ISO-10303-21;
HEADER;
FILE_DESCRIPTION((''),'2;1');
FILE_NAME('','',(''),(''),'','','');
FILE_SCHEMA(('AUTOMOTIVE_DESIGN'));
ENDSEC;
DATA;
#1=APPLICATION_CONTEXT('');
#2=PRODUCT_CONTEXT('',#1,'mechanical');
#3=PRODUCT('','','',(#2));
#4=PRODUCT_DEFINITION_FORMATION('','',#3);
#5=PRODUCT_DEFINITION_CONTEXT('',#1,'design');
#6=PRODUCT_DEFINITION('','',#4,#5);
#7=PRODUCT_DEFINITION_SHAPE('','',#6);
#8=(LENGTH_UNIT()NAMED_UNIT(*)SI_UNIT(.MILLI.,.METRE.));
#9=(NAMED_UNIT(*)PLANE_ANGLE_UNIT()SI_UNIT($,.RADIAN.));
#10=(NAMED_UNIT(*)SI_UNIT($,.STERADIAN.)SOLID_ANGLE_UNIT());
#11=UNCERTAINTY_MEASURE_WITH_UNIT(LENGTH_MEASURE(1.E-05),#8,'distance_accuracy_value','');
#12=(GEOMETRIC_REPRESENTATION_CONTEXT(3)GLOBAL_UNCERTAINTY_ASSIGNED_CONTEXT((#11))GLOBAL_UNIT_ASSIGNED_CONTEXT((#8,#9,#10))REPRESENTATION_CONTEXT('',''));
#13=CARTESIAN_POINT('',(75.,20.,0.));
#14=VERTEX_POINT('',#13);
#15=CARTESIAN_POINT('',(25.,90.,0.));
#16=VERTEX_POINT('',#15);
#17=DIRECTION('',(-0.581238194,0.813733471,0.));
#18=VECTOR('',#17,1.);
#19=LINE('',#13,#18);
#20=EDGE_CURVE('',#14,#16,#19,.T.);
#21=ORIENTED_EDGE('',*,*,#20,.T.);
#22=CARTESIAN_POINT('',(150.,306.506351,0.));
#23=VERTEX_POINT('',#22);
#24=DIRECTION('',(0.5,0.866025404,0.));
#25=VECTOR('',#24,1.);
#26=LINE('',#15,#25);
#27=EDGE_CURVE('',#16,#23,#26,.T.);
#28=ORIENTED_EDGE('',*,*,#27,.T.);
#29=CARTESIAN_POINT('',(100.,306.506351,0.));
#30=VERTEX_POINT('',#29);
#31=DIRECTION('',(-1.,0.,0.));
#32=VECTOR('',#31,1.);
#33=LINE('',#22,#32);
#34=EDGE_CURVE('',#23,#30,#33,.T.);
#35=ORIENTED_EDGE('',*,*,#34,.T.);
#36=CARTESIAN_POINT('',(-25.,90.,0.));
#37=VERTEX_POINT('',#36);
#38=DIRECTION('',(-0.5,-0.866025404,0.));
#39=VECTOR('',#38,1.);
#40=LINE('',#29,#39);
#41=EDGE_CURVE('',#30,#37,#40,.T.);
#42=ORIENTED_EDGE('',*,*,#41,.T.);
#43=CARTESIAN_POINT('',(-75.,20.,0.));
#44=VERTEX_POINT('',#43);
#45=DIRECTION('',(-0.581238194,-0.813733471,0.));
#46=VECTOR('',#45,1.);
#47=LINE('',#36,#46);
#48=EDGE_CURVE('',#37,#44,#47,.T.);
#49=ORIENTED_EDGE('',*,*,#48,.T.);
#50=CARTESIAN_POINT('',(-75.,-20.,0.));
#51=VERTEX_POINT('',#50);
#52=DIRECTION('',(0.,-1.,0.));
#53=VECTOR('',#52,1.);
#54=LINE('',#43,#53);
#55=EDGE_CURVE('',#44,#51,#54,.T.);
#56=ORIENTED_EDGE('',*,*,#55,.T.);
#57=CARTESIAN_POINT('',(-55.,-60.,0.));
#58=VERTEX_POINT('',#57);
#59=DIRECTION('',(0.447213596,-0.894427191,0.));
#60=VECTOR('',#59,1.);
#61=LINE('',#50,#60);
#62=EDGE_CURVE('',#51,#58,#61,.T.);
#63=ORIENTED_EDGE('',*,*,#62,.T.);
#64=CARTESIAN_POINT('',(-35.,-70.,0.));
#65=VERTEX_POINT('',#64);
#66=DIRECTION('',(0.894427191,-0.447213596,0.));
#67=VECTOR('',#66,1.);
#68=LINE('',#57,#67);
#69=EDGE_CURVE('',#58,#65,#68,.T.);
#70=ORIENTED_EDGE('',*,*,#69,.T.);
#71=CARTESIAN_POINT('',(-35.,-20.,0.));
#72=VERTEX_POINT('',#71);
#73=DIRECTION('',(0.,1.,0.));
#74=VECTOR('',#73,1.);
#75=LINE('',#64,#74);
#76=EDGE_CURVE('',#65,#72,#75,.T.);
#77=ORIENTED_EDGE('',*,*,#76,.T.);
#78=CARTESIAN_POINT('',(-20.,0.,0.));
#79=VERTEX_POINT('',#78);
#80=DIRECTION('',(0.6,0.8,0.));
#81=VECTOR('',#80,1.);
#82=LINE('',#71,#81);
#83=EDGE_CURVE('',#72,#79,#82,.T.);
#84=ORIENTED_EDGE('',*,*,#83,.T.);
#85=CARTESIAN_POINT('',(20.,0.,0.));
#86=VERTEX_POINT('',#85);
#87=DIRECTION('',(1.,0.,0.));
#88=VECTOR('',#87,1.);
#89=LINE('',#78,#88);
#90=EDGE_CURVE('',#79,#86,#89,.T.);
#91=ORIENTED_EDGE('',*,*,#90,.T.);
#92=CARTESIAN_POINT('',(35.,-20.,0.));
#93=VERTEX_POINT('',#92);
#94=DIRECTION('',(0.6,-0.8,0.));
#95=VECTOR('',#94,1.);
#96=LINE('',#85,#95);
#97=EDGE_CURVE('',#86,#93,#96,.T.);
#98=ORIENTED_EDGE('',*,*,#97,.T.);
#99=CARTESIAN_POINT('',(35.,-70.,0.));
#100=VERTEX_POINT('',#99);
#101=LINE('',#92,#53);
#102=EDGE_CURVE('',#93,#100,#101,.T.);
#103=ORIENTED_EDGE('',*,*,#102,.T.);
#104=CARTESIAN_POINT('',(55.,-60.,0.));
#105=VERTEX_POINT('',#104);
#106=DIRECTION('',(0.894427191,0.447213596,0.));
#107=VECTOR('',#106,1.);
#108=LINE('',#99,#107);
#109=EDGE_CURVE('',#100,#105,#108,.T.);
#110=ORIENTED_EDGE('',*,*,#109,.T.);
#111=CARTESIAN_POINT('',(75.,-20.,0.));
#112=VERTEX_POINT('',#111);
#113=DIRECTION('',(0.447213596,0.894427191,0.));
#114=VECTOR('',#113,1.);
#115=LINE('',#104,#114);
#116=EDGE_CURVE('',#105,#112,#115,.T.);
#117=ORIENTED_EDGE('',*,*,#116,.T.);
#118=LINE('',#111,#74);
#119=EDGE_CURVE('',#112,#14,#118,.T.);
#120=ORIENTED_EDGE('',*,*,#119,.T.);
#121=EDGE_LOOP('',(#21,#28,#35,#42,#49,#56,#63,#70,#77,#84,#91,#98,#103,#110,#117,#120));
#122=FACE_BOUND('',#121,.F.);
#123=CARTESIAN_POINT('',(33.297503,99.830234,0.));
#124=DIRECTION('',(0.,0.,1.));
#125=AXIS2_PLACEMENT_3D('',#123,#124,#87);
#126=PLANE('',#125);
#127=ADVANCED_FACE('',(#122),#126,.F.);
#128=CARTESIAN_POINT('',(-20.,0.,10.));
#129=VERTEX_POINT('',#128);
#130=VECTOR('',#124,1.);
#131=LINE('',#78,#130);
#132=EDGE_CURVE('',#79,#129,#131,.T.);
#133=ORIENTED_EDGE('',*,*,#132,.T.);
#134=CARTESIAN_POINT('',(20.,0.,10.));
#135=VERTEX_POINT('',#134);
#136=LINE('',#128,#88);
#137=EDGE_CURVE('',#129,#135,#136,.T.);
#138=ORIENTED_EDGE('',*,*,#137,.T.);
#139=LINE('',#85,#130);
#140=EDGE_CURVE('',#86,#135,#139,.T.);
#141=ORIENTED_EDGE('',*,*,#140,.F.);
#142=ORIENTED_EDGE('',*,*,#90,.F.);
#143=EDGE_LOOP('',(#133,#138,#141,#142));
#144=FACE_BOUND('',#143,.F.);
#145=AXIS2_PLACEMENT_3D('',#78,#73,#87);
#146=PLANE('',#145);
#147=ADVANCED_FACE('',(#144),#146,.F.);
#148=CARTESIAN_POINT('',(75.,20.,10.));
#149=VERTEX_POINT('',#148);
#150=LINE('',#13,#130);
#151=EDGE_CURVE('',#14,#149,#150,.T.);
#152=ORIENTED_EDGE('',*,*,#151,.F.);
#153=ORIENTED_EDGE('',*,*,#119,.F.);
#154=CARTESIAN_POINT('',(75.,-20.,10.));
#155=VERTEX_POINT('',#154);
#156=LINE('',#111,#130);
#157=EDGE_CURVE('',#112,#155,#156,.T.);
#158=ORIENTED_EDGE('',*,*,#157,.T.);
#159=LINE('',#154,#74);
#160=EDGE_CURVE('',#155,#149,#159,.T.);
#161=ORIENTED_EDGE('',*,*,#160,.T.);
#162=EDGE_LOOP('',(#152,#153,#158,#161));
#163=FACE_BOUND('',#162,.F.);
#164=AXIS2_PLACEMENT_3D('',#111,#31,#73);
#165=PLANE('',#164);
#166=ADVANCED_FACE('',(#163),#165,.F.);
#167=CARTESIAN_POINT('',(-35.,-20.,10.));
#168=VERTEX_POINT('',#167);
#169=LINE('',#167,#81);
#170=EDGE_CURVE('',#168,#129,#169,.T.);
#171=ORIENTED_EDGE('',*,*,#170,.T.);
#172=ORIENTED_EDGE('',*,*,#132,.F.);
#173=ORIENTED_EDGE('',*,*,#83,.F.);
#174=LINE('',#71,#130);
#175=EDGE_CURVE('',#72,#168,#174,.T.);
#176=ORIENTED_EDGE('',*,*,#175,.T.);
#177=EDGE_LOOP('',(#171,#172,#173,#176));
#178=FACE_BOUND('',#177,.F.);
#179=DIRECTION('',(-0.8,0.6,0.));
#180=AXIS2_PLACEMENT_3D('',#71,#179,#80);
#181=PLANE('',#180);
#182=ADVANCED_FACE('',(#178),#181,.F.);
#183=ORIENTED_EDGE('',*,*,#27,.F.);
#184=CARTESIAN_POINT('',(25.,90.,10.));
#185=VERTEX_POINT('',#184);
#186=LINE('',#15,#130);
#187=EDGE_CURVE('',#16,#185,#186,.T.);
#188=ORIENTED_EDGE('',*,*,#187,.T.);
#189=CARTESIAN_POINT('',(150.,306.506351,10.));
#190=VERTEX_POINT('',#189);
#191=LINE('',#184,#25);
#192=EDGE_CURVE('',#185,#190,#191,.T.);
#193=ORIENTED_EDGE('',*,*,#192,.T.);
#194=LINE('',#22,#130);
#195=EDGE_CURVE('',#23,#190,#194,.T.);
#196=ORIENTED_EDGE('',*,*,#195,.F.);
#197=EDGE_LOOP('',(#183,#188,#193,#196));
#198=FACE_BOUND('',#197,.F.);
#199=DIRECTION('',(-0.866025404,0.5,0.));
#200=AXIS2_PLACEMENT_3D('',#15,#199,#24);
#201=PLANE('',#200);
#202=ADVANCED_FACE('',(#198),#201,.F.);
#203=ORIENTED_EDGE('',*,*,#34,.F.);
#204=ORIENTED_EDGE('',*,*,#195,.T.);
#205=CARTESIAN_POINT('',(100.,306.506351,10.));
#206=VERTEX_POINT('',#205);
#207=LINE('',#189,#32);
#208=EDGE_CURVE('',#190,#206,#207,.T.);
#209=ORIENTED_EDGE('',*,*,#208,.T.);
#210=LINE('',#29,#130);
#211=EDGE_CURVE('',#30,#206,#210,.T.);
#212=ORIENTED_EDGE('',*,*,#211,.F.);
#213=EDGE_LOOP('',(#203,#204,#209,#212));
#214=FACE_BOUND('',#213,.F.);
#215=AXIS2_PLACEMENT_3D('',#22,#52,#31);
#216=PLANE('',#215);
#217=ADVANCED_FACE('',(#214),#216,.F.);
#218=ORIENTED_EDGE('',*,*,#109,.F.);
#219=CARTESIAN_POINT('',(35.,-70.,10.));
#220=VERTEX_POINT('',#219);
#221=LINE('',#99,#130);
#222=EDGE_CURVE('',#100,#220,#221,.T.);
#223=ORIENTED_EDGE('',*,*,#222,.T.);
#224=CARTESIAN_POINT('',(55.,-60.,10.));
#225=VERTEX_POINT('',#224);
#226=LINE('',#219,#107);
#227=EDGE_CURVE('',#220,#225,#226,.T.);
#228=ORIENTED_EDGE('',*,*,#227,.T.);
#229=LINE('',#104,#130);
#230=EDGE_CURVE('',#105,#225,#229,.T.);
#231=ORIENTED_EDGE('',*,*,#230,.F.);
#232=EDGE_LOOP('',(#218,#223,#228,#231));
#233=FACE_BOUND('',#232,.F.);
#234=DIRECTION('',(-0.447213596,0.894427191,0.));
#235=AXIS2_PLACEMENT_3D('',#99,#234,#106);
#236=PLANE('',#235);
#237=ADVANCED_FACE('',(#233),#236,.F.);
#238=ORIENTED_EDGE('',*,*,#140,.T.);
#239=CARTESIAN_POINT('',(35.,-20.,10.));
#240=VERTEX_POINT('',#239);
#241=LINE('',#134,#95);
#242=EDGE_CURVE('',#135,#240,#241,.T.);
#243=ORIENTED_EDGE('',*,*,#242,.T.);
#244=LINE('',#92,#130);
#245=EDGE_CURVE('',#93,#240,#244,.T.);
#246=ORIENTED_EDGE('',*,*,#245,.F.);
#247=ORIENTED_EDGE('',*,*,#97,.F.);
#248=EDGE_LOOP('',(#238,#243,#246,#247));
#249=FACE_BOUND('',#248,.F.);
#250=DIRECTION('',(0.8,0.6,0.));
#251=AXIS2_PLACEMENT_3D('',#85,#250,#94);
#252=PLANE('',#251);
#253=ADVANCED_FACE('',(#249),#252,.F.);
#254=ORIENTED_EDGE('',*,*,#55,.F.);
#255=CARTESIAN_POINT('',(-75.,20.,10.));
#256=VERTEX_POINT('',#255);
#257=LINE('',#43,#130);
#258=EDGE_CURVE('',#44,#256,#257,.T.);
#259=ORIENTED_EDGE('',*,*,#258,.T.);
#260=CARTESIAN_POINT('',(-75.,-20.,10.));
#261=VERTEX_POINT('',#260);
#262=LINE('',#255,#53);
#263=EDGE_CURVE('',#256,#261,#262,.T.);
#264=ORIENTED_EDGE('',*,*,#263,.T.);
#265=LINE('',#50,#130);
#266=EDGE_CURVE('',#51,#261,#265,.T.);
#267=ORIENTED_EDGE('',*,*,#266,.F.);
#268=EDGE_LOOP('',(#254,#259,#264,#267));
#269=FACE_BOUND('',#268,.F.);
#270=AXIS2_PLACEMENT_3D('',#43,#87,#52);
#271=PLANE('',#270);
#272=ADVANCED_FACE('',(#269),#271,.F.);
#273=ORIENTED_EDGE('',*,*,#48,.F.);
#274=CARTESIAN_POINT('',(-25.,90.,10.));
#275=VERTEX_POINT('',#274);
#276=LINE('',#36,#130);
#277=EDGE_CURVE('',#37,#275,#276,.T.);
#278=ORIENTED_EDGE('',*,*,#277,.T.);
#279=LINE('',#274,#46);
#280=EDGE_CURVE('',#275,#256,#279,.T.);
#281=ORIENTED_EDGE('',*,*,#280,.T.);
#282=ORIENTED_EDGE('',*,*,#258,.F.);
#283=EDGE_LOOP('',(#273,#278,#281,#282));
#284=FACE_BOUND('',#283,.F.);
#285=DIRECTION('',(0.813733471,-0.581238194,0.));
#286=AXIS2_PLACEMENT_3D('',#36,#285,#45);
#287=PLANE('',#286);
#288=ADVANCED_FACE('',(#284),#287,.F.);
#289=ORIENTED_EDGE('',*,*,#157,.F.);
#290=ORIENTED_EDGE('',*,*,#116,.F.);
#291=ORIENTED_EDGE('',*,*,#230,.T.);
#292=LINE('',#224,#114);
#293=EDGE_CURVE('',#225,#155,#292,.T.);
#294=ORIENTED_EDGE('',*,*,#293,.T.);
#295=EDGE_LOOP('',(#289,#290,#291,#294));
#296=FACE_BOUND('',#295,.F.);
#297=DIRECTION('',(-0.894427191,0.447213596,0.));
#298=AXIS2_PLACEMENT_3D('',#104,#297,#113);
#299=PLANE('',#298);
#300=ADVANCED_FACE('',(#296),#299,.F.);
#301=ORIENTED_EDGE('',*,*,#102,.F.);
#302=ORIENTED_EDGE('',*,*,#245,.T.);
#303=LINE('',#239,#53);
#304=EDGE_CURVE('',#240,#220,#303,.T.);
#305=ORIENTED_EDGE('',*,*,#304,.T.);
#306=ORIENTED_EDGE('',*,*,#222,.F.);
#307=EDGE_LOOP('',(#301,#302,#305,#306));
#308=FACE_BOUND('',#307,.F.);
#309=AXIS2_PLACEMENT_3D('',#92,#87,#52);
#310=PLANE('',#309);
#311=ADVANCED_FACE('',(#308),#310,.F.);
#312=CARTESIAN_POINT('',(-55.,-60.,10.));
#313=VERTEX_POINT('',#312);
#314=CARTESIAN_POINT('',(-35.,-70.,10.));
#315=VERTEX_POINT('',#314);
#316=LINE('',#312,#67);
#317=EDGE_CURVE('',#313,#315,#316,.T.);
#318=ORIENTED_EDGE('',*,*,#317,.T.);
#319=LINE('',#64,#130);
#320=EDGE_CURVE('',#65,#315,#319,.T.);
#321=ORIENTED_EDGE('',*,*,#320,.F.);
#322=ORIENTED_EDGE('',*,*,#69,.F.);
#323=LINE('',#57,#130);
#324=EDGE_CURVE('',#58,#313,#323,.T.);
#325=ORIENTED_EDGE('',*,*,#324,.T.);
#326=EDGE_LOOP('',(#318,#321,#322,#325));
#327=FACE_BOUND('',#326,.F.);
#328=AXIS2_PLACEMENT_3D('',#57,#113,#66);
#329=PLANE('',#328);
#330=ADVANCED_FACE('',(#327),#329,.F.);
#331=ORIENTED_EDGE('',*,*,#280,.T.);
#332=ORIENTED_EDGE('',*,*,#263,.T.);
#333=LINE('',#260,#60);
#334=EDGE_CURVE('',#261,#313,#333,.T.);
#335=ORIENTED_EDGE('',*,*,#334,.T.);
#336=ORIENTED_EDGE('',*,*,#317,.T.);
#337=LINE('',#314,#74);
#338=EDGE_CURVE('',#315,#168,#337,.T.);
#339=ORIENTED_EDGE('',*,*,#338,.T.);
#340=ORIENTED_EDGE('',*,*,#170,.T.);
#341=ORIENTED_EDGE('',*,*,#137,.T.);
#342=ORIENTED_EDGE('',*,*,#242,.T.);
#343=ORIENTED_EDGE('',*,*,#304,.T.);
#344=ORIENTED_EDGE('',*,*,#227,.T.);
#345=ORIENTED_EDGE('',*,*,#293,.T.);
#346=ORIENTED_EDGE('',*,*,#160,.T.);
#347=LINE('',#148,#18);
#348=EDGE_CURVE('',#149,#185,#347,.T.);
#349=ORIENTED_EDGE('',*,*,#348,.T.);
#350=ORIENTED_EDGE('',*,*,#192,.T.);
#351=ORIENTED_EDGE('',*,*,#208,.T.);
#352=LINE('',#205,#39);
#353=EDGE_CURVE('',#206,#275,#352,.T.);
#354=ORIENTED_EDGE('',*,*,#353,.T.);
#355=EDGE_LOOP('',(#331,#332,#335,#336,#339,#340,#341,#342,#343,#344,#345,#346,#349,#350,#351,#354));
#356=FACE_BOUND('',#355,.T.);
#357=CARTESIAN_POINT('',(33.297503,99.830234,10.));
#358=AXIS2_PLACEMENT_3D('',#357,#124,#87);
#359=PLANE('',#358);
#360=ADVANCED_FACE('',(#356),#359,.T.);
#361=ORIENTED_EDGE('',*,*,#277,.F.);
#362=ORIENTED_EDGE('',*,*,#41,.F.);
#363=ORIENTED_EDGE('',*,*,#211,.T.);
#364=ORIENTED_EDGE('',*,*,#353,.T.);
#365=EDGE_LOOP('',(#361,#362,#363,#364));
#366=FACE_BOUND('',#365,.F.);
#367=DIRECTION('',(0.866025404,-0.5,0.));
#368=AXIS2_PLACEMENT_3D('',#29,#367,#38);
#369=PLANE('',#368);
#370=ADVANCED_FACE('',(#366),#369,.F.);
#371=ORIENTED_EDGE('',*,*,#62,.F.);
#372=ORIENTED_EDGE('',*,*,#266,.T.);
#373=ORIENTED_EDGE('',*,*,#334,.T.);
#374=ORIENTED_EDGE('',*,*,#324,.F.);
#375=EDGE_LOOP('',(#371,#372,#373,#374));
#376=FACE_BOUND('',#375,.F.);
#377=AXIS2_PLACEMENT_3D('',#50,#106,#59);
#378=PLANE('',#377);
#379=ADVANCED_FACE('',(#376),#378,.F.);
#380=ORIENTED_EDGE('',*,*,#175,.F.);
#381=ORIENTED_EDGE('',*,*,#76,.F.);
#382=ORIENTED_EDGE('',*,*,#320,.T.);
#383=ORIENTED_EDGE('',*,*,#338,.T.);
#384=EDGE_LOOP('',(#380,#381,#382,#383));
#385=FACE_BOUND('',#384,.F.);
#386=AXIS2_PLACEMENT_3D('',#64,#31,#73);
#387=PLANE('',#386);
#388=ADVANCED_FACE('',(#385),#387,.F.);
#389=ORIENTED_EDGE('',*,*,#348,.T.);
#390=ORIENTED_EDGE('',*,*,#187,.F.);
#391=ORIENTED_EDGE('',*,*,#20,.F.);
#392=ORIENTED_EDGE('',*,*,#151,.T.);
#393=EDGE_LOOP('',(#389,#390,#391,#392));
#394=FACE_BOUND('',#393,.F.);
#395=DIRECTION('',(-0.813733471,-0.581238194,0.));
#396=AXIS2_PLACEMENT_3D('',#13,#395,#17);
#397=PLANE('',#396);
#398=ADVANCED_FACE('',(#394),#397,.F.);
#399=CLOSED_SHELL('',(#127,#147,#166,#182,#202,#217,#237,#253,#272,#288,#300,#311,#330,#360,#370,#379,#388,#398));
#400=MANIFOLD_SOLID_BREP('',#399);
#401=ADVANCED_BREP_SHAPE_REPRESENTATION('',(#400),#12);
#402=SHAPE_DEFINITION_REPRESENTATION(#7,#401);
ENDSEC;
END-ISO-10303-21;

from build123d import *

# Parameters (mm, degrees)
F1_DEPTH = 10


with BuildPart() as f1:
    # F0 (on Top) → F1 (new body)
    with BuildSketch(Plane.XY):
        Polygon((-35, -20), (-20, 0), (20, 0), (35, -20), (35, -70), (55, -60), (75, -20), (75, 20), (25, 90), (150, 306.506351), (100, 306.506351), (-25, 90), (-75, 20), (-75, -20), (-55, -60), (-35, -70), align=None)
    extrude(amount=F1_DEPTH)


solid = f1.part
